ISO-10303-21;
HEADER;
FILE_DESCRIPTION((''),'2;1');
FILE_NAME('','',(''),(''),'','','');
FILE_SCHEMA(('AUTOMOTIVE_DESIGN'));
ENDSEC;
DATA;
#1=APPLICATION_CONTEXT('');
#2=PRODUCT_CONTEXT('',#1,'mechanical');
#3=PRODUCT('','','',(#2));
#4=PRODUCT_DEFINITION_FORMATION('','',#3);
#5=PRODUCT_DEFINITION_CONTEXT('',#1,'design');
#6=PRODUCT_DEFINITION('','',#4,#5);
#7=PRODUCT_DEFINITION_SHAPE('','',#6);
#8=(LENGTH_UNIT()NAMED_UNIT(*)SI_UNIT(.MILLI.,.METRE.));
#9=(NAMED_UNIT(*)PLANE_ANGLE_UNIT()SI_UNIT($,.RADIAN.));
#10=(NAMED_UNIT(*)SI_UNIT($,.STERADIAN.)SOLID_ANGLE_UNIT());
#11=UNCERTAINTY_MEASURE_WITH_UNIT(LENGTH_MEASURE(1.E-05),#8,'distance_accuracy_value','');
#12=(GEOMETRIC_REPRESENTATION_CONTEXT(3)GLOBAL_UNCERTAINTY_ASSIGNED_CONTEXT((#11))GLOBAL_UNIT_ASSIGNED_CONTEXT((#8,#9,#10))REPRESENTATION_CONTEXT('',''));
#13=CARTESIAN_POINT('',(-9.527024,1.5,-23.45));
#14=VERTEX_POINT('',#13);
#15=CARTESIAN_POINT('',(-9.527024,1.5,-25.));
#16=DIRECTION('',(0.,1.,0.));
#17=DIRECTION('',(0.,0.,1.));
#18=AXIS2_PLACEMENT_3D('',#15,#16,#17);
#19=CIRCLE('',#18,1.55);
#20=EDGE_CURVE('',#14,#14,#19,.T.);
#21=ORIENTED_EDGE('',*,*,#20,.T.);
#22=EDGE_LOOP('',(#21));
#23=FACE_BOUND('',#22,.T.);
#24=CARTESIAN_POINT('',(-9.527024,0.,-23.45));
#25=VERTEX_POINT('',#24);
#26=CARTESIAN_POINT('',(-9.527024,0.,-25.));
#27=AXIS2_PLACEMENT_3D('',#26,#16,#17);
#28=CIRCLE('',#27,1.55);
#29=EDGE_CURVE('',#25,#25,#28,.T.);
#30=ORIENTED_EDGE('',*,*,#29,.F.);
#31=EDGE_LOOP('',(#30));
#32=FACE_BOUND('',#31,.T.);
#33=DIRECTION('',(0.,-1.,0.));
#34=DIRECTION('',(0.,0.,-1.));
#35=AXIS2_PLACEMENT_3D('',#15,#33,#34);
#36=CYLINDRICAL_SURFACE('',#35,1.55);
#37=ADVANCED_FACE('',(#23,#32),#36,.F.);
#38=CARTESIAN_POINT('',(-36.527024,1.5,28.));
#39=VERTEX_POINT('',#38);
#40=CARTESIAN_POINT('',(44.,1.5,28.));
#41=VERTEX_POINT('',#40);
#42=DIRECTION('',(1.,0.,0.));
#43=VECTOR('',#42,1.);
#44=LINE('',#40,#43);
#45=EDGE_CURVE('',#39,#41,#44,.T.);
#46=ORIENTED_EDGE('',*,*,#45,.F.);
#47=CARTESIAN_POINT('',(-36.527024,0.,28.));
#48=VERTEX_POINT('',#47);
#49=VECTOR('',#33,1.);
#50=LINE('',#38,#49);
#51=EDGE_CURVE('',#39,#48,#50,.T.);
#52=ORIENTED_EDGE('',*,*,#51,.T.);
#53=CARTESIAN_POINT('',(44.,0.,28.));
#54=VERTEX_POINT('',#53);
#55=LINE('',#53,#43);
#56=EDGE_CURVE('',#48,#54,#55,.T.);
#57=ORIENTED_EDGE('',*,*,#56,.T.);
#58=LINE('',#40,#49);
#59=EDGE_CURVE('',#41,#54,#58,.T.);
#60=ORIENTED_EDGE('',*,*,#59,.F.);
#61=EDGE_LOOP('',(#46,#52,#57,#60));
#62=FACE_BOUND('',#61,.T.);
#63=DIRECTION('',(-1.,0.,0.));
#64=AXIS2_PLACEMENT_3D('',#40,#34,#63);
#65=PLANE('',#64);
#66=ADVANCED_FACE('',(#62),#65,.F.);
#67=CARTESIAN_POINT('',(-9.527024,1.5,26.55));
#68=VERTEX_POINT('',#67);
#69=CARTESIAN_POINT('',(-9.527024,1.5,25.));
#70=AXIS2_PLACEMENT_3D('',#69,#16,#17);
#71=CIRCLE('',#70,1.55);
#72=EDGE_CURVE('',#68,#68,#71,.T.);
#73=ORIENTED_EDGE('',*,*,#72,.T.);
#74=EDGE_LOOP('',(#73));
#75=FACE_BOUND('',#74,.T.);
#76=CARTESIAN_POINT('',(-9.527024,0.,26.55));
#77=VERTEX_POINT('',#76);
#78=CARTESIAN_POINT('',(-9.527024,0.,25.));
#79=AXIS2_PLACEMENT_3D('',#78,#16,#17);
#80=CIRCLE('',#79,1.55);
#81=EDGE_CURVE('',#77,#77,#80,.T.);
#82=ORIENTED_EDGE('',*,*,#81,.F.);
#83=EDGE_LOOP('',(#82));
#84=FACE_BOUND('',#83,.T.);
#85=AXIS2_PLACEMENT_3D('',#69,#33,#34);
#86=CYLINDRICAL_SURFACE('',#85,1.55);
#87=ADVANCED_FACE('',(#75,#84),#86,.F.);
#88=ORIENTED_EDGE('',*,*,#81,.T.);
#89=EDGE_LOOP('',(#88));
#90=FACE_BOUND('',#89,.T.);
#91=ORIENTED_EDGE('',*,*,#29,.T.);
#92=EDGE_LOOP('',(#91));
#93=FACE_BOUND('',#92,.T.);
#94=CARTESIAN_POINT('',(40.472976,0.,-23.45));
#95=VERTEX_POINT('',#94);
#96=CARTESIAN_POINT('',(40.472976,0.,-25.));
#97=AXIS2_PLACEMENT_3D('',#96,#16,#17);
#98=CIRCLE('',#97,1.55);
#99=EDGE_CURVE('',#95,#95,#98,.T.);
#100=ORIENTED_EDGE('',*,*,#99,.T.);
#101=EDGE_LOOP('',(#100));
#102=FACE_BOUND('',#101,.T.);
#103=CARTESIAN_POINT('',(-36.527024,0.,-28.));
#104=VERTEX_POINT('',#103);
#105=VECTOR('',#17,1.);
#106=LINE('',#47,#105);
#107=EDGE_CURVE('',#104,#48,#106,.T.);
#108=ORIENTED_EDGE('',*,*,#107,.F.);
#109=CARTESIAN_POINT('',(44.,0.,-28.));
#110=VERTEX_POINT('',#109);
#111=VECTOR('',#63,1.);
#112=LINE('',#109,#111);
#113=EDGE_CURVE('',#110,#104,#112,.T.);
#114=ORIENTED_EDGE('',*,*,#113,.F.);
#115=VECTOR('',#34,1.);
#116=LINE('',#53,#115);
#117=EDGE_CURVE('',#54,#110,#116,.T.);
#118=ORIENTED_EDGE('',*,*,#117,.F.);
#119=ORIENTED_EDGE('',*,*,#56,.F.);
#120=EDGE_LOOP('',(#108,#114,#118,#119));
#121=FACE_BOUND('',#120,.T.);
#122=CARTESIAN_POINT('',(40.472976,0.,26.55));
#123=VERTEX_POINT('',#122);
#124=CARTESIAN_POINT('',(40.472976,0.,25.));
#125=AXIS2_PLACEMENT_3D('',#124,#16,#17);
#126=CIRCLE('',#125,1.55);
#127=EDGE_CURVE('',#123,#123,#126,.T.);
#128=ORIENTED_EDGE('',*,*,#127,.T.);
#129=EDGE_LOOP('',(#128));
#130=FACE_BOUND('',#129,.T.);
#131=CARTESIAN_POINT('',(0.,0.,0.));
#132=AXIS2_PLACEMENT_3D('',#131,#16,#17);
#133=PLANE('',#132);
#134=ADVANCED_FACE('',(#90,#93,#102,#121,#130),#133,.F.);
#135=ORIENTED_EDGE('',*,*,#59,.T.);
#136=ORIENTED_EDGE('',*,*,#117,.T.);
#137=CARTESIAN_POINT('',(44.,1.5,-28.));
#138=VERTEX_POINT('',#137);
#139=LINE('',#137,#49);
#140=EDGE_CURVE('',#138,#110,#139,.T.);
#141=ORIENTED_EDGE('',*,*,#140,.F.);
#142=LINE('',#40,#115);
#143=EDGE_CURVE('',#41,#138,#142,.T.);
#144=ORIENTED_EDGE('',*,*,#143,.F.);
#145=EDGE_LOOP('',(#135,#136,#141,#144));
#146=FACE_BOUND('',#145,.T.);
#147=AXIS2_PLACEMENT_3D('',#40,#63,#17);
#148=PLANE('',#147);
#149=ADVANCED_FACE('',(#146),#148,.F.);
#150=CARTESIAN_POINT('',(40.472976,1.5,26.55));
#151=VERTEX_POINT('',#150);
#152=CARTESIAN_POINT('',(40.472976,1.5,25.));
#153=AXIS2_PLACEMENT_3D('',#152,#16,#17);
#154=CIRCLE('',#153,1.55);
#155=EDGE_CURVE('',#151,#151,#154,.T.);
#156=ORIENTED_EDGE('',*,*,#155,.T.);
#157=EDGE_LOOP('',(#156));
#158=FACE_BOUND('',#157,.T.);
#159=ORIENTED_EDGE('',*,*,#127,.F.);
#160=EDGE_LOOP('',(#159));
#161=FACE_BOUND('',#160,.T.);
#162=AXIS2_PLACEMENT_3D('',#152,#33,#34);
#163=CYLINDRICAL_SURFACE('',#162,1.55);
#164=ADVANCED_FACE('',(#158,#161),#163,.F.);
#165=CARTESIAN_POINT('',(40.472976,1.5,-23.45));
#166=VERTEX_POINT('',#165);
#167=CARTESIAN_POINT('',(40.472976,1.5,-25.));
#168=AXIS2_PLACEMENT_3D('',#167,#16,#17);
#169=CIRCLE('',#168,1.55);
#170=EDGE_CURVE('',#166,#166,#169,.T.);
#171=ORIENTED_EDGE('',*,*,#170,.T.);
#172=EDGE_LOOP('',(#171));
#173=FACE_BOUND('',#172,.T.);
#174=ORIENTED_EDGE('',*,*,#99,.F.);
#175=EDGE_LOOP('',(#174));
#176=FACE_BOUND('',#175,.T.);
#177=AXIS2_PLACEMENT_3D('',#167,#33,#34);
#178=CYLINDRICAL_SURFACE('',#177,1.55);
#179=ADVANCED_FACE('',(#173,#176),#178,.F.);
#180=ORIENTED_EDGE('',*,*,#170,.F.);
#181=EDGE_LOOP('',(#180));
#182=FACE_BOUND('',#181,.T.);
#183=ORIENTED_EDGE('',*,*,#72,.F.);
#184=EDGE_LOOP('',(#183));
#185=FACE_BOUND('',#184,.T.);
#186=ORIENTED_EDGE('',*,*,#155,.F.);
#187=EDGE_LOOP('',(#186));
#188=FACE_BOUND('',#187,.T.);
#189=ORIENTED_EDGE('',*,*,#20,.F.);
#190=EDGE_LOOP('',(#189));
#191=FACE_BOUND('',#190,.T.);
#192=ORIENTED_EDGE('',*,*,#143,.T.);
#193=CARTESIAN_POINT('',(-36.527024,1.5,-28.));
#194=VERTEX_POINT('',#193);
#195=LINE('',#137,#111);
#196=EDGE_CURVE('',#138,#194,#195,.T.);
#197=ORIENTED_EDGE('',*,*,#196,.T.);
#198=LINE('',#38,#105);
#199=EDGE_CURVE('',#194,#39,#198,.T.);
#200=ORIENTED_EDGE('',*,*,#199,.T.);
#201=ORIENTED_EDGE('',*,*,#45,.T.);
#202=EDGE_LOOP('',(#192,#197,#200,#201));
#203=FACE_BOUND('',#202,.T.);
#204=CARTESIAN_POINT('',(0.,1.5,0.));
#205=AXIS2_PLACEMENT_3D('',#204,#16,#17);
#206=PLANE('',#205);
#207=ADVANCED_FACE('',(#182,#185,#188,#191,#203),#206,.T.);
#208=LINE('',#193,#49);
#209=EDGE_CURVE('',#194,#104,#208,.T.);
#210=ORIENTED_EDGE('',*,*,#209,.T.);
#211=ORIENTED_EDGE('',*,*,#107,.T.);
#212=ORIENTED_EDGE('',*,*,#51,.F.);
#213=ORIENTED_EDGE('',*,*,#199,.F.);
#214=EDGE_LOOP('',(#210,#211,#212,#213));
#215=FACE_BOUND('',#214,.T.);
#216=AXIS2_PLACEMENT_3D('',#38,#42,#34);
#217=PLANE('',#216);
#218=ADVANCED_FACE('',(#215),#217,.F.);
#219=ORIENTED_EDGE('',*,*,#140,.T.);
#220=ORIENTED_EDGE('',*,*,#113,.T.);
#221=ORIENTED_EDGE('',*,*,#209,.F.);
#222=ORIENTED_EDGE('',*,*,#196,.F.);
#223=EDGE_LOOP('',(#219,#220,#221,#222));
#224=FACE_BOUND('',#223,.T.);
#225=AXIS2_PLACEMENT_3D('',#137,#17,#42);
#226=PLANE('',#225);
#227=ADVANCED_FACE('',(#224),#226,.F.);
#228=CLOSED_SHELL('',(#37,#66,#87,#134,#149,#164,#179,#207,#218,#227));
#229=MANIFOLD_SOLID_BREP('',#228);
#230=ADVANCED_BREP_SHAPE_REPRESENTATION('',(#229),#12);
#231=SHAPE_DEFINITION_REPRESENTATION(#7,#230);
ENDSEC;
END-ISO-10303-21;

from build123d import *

# Parameters (mm, degrees)
SKETCH_1_W      = 80.527023957
SKETCH_1_H      = 56
SKETCH_1_R      = 1.55
EXTRUDE_1_DEPTH = 1.5


with BuildPart() as part:
    # 草图1 → 凸台-拉伸1 (new body)
    with BuildSketch(Plane(origin=(0, 0, 0), x_dir=(1, 0, 0), z_dir=(0, 1, 0))):
        with Locations((3.736488021, 0)):
            Rectangle(SKETCH_1_W, SKETCH_1_H)
        with Locations((-9.527023957, 25)):
            Circle(SKETCH_1_R, mode=Mode.SUBTRACT)
        with Locations((-9.527023957, -25)):
            Circle(SKETCH_1_R, mode=Mode.SUBTRACT)
        with Locations((40.472976043, -25)):
            Circle(SKETCH_1_R, mode=Mode.SUBTRACT)
        with Locations((40.472976043, 25)):
            Circle(SKETCH_1_R, mode=Mode.SUBTRACT)
    extrude(amount=EXTRUDE_1_DEPTH)


solid = part.part
